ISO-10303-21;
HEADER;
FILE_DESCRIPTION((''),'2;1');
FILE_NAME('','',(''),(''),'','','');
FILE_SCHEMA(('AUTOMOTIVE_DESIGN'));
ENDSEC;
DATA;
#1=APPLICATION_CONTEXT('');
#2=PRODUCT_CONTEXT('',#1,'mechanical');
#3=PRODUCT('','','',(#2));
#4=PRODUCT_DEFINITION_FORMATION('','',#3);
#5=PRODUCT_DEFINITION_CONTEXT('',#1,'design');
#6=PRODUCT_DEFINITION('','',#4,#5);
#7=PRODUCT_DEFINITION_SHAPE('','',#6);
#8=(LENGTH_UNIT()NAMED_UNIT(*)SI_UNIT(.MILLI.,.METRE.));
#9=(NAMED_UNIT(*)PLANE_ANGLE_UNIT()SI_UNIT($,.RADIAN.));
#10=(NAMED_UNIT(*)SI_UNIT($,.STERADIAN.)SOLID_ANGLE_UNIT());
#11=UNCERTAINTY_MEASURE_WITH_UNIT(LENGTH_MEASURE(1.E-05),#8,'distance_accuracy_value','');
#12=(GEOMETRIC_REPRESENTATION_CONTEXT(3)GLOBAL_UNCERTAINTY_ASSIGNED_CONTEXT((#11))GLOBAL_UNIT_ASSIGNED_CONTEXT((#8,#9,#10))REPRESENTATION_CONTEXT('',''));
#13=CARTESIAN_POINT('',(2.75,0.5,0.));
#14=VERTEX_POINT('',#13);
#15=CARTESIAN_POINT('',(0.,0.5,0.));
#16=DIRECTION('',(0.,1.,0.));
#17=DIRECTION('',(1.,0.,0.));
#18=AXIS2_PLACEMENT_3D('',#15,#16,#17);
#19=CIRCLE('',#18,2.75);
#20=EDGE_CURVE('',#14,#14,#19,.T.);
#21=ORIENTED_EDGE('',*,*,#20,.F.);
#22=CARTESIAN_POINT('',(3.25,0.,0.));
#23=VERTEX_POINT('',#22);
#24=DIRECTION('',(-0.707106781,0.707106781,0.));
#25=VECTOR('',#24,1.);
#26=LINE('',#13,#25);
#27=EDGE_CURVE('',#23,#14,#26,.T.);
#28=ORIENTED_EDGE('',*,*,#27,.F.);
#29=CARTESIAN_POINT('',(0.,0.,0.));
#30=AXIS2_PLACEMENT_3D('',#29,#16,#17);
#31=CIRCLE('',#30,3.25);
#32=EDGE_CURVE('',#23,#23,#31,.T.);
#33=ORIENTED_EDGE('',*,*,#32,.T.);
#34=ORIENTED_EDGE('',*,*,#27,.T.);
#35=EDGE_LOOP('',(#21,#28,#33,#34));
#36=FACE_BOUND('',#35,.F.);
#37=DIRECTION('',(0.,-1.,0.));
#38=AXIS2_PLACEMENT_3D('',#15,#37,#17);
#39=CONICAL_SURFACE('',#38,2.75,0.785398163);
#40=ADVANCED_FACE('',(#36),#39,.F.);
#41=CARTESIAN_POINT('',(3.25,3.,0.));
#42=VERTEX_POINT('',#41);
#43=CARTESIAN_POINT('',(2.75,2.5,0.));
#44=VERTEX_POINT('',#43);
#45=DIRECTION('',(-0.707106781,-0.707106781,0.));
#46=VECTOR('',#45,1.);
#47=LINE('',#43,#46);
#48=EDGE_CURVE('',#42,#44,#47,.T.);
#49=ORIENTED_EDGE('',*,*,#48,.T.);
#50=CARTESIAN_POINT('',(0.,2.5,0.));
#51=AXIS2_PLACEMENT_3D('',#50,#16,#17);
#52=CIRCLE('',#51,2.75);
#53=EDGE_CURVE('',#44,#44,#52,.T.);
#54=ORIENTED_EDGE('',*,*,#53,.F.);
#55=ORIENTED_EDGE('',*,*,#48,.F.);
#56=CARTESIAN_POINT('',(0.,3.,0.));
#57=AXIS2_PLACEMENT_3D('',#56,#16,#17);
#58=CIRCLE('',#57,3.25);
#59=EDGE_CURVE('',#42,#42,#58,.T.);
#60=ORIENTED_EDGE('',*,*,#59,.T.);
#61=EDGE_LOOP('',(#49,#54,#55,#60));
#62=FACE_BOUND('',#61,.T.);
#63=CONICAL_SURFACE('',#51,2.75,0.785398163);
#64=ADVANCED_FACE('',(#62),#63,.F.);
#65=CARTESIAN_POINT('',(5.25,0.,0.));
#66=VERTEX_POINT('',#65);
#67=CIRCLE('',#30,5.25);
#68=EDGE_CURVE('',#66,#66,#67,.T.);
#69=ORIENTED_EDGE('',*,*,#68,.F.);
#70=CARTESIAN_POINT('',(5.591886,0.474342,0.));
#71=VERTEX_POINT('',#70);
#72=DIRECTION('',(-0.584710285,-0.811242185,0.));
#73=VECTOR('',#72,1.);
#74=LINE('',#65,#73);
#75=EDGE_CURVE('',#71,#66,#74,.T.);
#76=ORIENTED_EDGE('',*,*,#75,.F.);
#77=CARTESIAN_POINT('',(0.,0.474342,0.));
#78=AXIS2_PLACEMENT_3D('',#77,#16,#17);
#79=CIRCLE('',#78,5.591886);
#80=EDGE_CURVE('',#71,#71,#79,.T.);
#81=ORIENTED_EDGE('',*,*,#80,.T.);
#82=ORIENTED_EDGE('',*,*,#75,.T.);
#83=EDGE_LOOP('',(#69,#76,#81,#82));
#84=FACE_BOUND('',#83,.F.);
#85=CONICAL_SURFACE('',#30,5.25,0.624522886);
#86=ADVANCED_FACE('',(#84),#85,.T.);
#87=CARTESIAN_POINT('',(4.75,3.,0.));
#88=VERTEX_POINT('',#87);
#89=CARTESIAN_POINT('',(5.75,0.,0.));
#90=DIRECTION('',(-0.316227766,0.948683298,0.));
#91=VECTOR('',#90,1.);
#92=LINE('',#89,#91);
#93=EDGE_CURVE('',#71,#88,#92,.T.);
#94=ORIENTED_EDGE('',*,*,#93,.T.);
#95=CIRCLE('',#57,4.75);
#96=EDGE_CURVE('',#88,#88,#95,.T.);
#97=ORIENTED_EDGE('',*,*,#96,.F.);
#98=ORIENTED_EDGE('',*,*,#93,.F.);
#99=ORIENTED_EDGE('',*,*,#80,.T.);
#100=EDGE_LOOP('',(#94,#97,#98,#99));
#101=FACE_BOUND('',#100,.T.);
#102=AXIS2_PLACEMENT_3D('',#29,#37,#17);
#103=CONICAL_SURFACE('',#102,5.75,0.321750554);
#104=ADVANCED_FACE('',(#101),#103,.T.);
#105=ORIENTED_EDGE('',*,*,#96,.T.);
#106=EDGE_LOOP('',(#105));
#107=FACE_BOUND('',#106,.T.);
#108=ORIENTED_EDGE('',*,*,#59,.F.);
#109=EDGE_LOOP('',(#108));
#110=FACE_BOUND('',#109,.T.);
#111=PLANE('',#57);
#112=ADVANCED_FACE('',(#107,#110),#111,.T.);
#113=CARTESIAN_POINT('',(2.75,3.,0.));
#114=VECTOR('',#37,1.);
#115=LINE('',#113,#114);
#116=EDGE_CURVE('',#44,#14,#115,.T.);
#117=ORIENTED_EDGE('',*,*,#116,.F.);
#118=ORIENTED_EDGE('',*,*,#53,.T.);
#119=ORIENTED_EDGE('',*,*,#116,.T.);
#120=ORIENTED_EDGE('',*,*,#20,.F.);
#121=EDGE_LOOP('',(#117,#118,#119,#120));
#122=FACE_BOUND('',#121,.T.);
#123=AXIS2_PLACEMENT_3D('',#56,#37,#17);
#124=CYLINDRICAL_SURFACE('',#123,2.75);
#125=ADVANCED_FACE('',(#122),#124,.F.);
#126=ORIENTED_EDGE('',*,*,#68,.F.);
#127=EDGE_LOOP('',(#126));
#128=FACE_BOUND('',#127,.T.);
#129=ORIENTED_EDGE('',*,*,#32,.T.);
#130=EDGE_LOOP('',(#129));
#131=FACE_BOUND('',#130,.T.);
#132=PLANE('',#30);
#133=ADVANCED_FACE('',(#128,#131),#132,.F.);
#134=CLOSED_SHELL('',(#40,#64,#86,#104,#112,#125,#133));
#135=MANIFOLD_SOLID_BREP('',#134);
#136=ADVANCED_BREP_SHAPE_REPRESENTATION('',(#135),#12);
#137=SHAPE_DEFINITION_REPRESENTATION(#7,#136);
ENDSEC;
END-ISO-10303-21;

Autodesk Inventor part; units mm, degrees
ref_plane "YZ Plane" through (0, 0, 0) normal (1, 0, 0) x (0, 1, 0)
ref_plane "XZ Plane" through (0, 0, 0) normal (0, 1, 0) x (-1, 0, 0)
ref_plane "XY Plane" through (0, 0, 0) normal (0, 0, 1) x (1, 0, 0)
sketch "Sketch1" plane through (0, 0, 0) normal (0, 0, 1) x (1, 0, 0)
  line L0 (0, 0) -> (0, 3) construction
  line L1 (0, 3) -> (2.75, 3) construction
  line L2 (2.75, 3) -> (2.75, 0)
  line L3 (2.75, 0) -> (0, 0) construction
  line L4 (2.75, 0) -> (5.75, 0)
  line L5 (5.75, 0) -> (4.75, 3)
  line L6 (4.75, 3) -> (2.75, 3)
  dimension "d0" = 2.75
  dimension "d1" = 3
  dimension "d2" = 2
  dimension "d3" = 3
revolve "Revolution1" add sketch "Sketch1" angle 360 about axis through (0, 0, 0) along (0, 1, 0)
chamfer "Chamfer1" distance 0.5 angle 45 3 edges at (-2.75, 0, 0) (-2.75, 3, 0) (-5.75, 0, 0)
properties part number "PulleySpacer"
